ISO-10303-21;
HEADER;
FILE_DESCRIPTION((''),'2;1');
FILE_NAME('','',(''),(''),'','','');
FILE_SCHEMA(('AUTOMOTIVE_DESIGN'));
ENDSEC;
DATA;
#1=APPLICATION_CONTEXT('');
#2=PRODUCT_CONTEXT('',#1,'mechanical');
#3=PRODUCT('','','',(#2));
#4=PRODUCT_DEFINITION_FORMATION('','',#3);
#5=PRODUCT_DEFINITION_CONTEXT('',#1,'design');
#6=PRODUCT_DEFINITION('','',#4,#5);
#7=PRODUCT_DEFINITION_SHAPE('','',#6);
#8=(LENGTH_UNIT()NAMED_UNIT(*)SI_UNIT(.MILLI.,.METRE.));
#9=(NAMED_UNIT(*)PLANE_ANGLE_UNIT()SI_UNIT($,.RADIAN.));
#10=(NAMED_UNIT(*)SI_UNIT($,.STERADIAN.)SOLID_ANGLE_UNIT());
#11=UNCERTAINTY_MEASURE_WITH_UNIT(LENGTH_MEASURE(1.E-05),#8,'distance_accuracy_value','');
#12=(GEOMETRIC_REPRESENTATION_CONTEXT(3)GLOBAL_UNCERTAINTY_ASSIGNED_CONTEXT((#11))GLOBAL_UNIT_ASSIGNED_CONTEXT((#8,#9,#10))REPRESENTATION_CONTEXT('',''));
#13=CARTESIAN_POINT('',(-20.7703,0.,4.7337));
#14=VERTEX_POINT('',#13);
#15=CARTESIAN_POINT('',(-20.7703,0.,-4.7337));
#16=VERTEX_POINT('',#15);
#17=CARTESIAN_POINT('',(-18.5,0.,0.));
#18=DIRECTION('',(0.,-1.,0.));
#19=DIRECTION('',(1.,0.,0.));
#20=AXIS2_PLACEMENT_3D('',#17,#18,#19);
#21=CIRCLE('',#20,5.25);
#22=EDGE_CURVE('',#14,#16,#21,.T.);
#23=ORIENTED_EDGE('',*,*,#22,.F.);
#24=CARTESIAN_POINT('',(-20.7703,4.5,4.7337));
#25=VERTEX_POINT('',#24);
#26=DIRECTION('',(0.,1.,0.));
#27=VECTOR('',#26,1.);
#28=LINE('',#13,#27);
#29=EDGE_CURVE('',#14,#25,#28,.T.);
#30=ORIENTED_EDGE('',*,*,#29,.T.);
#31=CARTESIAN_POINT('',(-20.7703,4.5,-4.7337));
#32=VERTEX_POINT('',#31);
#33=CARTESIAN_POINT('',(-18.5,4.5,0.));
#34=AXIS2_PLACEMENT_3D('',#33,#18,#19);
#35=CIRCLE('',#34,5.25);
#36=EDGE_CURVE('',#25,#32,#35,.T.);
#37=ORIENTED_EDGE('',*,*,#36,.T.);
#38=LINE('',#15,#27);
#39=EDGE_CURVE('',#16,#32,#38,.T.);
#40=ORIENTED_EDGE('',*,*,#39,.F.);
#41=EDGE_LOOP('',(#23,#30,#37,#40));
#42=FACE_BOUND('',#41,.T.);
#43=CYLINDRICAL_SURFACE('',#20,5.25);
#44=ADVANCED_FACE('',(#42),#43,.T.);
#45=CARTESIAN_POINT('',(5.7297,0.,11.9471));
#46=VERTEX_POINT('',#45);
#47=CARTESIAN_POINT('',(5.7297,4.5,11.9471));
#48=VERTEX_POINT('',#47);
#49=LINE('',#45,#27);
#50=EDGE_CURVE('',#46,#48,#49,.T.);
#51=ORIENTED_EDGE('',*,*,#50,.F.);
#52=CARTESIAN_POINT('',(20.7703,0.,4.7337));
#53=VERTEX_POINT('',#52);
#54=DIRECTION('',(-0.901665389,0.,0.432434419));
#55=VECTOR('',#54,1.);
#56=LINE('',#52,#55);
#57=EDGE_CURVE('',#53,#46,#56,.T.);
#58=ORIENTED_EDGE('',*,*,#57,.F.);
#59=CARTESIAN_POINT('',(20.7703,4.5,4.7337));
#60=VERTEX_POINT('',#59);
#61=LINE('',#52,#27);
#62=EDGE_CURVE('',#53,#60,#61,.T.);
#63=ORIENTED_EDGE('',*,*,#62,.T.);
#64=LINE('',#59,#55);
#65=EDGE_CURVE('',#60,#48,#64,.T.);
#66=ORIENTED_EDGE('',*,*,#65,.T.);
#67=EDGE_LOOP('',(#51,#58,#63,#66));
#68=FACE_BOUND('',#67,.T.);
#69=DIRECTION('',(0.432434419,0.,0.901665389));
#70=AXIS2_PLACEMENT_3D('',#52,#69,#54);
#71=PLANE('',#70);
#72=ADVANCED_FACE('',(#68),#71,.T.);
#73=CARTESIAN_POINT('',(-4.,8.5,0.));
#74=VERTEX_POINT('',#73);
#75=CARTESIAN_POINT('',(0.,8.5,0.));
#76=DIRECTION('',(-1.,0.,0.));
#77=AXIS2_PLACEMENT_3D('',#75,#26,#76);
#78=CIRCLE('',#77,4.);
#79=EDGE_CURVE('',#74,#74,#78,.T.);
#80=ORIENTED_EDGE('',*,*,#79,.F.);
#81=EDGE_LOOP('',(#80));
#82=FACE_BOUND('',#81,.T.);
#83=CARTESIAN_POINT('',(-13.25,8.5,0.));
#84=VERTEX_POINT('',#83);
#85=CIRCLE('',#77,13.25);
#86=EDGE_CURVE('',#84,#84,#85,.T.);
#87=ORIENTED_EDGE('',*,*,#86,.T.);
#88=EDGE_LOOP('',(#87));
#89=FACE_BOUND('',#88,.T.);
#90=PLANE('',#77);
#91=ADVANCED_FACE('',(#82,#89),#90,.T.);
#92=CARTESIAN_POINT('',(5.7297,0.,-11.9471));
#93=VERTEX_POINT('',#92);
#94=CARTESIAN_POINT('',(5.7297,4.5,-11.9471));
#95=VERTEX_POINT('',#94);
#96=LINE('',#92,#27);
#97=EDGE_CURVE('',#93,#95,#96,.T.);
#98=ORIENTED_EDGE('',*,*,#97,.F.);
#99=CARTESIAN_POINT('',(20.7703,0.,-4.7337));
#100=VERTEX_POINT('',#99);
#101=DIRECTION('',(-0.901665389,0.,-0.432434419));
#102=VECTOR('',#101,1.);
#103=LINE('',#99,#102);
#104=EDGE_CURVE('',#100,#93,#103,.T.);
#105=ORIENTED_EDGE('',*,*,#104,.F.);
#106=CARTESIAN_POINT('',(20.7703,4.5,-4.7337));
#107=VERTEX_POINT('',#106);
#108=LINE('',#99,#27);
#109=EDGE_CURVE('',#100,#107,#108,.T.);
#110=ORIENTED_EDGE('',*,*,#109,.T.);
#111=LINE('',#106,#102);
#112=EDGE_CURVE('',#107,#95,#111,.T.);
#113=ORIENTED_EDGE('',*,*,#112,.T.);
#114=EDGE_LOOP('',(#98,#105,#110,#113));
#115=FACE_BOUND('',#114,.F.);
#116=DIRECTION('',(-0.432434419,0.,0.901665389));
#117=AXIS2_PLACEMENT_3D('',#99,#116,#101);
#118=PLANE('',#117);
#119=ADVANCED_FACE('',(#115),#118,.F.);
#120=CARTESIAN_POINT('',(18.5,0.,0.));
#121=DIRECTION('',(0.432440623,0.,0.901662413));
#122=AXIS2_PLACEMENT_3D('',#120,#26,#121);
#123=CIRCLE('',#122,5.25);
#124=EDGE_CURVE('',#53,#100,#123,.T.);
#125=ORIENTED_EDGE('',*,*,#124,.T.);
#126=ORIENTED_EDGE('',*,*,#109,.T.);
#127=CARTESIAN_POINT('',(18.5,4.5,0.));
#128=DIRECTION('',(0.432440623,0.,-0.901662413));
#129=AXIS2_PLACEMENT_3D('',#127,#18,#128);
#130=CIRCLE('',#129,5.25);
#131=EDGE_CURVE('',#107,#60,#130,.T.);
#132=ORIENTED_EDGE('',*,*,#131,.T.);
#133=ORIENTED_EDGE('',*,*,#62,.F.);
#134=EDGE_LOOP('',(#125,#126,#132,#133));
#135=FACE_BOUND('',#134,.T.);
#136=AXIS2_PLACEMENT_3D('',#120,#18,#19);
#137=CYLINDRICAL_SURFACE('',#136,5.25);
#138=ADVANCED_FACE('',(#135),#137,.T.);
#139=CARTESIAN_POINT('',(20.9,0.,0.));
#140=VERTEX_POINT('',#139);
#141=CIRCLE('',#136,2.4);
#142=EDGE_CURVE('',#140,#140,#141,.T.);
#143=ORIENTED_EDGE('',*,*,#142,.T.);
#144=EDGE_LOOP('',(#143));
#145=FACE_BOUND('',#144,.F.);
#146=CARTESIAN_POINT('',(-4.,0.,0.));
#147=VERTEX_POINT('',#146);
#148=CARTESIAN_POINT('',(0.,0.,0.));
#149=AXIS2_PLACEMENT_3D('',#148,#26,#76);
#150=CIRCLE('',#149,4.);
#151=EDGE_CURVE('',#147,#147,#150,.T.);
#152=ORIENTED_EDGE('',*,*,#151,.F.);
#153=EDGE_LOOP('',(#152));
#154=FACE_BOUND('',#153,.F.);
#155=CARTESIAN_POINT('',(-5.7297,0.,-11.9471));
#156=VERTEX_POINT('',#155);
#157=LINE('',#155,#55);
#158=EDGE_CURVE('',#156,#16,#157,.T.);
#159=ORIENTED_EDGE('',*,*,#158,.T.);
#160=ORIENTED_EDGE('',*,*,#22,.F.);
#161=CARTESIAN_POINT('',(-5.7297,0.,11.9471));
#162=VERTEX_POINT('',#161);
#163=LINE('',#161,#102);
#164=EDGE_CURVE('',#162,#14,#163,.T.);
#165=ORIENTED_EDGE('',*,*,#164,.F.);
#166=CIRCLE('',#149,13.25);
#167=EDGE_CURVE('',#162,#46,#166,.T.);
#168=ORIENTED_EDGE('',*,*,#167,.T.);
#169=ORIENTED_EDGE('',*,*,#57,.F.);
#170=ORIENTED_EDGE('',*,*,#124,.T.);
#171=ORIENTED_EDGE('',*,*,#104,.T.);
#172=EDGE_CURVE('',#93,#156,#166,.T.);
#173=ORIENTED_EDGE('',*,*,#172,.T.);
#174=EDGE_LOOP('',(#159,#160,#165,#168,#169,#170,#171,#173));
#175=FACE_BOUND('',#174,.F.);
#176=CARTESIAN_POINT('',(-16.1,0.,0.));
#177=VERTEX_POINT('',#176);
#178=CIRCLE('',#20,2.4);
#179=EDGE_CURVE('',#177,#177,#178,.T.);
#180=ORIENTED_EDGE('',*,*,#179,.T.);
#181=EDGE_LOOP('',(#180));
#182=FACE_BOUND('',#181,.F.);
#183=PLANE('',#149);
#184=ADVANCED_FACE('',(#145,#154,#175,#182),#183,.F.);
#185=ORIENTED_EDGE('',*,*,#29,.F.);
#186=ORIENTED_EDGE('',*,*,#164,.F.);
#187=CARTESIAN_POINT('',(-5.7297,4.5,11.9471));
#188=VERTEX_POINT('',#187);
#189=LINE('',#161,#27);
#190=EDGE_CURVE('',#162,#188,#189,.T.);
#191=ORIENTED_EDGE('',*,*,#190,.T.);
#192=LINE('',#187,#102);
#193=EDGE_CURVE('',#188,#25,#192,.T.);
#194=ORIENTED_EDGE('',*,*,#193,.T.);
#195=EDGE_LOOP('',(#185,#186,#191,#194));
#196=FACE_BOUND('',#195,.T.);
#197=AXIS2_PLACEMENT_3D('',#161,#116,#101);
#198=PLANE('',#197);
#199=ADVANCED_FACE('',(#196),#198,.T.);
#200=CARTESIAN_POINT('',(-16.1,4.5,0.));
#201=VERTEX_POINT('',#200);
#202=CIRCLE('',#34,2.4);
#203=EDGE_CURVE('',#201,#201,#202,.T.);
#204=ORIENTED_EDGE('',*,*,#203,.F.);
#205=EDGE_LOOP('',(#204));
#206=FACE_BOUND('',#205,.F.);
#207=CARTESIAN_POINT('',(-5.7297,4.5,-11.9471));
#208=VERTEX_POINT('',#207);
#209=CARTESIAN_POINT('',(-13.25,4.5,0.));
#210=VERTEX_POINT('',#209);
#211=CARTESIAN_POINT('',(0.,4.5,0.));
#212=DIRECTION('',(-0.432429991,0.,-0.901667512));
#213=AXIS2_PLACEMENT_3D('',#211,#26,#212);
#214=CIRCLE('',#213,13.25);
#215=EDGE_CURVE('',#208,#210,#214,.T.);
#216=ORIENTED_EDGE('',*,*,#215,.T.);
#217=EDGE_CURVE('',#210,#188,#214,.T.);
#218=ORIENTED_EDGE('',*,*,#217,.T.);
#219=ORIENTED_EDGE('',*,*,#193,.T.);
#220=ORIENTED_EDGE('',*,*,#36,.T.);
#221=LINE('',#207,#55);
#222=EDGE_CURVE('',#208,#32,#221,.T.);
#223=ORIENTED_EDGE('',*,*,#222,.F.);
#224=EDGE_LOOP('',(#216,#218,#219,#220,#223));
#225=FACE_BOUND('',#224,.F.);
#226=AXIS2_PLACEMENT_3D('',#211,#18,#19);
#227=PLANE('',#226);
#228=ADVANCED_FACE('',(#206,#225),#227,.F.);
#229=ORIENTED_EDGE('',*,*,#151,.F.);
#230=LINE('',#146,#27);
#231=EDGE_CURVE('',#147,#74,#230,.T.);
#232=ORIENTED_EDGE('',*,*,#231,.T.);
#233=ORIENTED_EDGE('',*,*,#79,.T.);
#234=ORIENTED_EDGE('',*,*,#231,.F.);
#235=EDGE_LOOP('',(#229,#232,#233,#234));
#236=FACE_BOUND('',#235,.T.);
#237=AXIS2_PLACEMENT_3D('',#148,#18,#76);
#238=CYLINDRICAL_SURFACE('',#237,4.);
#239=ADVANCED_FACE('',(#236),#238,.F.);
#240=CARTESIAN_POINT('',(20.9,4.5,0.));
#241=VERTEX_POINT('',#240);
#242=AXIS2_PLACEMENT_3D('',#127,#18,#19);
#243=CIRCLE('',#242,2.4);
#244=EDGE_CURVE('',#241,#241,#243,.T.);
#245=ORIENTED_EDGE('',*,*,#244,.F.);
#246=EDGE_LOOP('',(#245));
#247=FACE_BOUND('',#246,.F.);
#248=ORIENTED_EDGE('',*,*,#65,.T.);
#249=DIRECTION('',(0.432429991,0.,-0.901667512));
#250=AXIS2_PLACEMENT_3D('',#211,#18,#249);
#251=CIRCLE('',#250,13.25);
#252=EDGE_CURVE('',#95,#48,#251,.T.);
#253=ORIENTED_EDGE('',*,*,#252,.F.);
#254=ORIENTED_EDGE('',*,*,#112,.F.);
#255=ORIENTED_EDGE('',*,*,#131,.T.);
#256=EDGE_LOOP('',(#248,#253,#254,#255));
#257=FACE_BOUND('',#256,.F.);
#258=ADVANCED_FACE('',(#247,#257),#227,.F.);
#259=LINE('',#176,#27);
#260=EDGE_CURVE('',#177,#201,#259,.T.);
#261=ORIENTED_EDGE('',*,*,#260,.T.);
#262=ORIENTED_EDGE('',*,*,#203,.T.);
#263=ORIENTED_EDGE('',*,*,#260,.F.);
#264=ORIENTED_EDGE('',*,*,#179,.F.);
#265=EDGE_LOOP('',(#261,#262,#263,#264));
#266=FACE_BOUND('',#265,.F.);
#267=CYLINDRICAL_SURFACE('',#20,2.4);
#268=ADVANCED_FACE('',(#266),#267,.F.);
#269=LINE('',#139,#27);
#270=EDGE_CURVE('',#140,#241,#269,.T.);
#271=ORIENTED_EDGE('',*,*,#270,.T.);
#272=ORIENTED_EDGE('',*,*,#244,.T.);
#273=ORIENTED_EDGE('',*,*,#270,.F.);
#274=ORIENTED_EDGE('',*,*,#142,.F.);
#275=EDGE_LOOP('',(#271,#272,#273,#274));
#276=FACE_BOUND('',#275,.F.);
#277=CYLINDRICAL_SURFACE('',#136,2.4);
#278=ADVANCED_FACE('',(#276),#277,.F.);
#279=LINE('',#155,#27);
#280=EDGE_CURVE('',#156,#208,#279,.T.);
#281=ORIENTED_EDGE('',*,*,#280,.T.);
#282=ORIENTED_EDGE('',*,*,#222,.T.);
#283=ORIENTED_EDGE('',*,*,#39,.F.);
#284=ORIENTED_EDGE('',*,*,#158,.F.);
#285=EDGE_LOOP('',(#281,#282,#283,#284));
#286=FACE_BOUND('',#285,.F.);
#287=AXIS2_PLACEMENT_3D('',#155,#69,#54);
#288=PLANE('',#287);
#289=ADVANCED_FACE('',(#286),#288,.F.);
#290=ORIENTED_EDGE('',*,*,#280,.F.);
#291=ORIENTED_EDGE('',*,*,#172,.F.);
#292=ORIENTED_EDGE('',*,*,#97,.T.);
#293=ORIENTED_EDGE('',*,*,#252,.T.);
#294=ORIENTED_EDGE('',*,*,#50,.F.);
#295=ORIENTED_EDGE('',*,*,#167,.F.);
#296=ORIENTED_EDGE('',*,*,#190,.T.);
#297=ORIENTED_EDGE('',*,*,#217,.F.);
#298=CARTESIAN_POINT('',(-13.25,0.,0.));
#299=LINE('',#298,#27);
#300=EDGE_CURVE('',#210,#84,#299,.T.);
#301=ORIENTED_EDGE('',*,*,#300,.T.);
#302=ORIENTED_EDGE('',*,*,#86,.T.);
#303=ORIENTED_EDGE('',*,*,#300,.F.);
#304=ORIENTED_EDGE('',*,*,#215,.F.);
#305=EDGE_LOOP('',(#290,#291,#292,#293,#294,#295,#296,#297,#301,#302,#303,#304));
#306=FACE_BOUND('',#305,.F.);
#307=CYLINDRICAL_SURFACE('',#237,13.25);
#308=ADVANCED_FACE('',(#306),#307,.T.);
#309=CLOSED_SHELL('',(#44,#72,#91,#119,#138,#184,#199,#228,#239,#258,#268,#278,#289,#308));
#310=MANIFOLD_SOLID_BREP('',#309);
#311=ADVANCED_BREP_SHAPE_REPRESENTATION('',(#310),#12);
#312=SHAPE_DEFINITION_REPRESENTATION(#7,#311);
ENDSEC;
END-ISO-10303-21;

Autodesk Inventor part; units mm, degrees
ref_plane "YZ Plane" through (0, 0, 0) normal (1, 0, 0) x (0, 1, 0)
ref_plane "XZ Plane" through (0, 0, 0) normal (0, 1, 0) x (-1, 0, 0)
ref_plane "XY Plane" through (0, 0, 0) normal (0, 0, 1) x (1, 0, 0)
sketch "Sketch1" plane through (0, 0, 0) normal (0, 1, 0) x (-1, 0, 0)
  circle A0 centre (0, 0) radius 13.25
  circle A1 centre (0, 0) radius 4
  dimension "d0" = 26.5
  dimension "d1" = 8
extrude "Extrusion1" add sketch "Sketch1" along normal blind 8.5
sketch "Sketch2" plane through (0, 0, 0) normal (0, -1, 0) x (1, 0, 0)
  circle A0 centre (18.5, 0) radius 2.4
  circle A1 centre (-18.5, 0) radius 2.4
  circle A2 centre (18.5, 0) radius 5.25
  circle A3 centre (-18.5, 0) radius 5.25
  line L0 (20.7703, -4.7337) -> (5.7297, -11.9471)
  circle A4 centre (0, 0) radius 13.25 projected
  line L1 (20.7703, 4.7337) -> (5.7297, 11.9471)
  line L2 (-5.7297, -11.9471) -> (-20.7703, -4.7337)
  line L3 (-5.7297, 11.9471) -> (-20.7703, 4.7337)
  point P0 (0, 18.5)
  point P1 (0, -18.5)
  dimension "d6" = 4.8
  dimension "d7" = 4.8
  dimension "d8" = 37
  dimension "d9" = 18.5
  dimension "d10" = 10.5
  dimension "d11" = 10.5
extrude "Extrusion2" add sketch "Sketch2" against normal blind 4.5 contours A2 | A2 A4 L1 | L0 A4 A2 | A4 A3 L3 | L2 A3 A4 | A3
properties part number "O_Do_Lan" material "Brass, Soft Yellow, Welded"
